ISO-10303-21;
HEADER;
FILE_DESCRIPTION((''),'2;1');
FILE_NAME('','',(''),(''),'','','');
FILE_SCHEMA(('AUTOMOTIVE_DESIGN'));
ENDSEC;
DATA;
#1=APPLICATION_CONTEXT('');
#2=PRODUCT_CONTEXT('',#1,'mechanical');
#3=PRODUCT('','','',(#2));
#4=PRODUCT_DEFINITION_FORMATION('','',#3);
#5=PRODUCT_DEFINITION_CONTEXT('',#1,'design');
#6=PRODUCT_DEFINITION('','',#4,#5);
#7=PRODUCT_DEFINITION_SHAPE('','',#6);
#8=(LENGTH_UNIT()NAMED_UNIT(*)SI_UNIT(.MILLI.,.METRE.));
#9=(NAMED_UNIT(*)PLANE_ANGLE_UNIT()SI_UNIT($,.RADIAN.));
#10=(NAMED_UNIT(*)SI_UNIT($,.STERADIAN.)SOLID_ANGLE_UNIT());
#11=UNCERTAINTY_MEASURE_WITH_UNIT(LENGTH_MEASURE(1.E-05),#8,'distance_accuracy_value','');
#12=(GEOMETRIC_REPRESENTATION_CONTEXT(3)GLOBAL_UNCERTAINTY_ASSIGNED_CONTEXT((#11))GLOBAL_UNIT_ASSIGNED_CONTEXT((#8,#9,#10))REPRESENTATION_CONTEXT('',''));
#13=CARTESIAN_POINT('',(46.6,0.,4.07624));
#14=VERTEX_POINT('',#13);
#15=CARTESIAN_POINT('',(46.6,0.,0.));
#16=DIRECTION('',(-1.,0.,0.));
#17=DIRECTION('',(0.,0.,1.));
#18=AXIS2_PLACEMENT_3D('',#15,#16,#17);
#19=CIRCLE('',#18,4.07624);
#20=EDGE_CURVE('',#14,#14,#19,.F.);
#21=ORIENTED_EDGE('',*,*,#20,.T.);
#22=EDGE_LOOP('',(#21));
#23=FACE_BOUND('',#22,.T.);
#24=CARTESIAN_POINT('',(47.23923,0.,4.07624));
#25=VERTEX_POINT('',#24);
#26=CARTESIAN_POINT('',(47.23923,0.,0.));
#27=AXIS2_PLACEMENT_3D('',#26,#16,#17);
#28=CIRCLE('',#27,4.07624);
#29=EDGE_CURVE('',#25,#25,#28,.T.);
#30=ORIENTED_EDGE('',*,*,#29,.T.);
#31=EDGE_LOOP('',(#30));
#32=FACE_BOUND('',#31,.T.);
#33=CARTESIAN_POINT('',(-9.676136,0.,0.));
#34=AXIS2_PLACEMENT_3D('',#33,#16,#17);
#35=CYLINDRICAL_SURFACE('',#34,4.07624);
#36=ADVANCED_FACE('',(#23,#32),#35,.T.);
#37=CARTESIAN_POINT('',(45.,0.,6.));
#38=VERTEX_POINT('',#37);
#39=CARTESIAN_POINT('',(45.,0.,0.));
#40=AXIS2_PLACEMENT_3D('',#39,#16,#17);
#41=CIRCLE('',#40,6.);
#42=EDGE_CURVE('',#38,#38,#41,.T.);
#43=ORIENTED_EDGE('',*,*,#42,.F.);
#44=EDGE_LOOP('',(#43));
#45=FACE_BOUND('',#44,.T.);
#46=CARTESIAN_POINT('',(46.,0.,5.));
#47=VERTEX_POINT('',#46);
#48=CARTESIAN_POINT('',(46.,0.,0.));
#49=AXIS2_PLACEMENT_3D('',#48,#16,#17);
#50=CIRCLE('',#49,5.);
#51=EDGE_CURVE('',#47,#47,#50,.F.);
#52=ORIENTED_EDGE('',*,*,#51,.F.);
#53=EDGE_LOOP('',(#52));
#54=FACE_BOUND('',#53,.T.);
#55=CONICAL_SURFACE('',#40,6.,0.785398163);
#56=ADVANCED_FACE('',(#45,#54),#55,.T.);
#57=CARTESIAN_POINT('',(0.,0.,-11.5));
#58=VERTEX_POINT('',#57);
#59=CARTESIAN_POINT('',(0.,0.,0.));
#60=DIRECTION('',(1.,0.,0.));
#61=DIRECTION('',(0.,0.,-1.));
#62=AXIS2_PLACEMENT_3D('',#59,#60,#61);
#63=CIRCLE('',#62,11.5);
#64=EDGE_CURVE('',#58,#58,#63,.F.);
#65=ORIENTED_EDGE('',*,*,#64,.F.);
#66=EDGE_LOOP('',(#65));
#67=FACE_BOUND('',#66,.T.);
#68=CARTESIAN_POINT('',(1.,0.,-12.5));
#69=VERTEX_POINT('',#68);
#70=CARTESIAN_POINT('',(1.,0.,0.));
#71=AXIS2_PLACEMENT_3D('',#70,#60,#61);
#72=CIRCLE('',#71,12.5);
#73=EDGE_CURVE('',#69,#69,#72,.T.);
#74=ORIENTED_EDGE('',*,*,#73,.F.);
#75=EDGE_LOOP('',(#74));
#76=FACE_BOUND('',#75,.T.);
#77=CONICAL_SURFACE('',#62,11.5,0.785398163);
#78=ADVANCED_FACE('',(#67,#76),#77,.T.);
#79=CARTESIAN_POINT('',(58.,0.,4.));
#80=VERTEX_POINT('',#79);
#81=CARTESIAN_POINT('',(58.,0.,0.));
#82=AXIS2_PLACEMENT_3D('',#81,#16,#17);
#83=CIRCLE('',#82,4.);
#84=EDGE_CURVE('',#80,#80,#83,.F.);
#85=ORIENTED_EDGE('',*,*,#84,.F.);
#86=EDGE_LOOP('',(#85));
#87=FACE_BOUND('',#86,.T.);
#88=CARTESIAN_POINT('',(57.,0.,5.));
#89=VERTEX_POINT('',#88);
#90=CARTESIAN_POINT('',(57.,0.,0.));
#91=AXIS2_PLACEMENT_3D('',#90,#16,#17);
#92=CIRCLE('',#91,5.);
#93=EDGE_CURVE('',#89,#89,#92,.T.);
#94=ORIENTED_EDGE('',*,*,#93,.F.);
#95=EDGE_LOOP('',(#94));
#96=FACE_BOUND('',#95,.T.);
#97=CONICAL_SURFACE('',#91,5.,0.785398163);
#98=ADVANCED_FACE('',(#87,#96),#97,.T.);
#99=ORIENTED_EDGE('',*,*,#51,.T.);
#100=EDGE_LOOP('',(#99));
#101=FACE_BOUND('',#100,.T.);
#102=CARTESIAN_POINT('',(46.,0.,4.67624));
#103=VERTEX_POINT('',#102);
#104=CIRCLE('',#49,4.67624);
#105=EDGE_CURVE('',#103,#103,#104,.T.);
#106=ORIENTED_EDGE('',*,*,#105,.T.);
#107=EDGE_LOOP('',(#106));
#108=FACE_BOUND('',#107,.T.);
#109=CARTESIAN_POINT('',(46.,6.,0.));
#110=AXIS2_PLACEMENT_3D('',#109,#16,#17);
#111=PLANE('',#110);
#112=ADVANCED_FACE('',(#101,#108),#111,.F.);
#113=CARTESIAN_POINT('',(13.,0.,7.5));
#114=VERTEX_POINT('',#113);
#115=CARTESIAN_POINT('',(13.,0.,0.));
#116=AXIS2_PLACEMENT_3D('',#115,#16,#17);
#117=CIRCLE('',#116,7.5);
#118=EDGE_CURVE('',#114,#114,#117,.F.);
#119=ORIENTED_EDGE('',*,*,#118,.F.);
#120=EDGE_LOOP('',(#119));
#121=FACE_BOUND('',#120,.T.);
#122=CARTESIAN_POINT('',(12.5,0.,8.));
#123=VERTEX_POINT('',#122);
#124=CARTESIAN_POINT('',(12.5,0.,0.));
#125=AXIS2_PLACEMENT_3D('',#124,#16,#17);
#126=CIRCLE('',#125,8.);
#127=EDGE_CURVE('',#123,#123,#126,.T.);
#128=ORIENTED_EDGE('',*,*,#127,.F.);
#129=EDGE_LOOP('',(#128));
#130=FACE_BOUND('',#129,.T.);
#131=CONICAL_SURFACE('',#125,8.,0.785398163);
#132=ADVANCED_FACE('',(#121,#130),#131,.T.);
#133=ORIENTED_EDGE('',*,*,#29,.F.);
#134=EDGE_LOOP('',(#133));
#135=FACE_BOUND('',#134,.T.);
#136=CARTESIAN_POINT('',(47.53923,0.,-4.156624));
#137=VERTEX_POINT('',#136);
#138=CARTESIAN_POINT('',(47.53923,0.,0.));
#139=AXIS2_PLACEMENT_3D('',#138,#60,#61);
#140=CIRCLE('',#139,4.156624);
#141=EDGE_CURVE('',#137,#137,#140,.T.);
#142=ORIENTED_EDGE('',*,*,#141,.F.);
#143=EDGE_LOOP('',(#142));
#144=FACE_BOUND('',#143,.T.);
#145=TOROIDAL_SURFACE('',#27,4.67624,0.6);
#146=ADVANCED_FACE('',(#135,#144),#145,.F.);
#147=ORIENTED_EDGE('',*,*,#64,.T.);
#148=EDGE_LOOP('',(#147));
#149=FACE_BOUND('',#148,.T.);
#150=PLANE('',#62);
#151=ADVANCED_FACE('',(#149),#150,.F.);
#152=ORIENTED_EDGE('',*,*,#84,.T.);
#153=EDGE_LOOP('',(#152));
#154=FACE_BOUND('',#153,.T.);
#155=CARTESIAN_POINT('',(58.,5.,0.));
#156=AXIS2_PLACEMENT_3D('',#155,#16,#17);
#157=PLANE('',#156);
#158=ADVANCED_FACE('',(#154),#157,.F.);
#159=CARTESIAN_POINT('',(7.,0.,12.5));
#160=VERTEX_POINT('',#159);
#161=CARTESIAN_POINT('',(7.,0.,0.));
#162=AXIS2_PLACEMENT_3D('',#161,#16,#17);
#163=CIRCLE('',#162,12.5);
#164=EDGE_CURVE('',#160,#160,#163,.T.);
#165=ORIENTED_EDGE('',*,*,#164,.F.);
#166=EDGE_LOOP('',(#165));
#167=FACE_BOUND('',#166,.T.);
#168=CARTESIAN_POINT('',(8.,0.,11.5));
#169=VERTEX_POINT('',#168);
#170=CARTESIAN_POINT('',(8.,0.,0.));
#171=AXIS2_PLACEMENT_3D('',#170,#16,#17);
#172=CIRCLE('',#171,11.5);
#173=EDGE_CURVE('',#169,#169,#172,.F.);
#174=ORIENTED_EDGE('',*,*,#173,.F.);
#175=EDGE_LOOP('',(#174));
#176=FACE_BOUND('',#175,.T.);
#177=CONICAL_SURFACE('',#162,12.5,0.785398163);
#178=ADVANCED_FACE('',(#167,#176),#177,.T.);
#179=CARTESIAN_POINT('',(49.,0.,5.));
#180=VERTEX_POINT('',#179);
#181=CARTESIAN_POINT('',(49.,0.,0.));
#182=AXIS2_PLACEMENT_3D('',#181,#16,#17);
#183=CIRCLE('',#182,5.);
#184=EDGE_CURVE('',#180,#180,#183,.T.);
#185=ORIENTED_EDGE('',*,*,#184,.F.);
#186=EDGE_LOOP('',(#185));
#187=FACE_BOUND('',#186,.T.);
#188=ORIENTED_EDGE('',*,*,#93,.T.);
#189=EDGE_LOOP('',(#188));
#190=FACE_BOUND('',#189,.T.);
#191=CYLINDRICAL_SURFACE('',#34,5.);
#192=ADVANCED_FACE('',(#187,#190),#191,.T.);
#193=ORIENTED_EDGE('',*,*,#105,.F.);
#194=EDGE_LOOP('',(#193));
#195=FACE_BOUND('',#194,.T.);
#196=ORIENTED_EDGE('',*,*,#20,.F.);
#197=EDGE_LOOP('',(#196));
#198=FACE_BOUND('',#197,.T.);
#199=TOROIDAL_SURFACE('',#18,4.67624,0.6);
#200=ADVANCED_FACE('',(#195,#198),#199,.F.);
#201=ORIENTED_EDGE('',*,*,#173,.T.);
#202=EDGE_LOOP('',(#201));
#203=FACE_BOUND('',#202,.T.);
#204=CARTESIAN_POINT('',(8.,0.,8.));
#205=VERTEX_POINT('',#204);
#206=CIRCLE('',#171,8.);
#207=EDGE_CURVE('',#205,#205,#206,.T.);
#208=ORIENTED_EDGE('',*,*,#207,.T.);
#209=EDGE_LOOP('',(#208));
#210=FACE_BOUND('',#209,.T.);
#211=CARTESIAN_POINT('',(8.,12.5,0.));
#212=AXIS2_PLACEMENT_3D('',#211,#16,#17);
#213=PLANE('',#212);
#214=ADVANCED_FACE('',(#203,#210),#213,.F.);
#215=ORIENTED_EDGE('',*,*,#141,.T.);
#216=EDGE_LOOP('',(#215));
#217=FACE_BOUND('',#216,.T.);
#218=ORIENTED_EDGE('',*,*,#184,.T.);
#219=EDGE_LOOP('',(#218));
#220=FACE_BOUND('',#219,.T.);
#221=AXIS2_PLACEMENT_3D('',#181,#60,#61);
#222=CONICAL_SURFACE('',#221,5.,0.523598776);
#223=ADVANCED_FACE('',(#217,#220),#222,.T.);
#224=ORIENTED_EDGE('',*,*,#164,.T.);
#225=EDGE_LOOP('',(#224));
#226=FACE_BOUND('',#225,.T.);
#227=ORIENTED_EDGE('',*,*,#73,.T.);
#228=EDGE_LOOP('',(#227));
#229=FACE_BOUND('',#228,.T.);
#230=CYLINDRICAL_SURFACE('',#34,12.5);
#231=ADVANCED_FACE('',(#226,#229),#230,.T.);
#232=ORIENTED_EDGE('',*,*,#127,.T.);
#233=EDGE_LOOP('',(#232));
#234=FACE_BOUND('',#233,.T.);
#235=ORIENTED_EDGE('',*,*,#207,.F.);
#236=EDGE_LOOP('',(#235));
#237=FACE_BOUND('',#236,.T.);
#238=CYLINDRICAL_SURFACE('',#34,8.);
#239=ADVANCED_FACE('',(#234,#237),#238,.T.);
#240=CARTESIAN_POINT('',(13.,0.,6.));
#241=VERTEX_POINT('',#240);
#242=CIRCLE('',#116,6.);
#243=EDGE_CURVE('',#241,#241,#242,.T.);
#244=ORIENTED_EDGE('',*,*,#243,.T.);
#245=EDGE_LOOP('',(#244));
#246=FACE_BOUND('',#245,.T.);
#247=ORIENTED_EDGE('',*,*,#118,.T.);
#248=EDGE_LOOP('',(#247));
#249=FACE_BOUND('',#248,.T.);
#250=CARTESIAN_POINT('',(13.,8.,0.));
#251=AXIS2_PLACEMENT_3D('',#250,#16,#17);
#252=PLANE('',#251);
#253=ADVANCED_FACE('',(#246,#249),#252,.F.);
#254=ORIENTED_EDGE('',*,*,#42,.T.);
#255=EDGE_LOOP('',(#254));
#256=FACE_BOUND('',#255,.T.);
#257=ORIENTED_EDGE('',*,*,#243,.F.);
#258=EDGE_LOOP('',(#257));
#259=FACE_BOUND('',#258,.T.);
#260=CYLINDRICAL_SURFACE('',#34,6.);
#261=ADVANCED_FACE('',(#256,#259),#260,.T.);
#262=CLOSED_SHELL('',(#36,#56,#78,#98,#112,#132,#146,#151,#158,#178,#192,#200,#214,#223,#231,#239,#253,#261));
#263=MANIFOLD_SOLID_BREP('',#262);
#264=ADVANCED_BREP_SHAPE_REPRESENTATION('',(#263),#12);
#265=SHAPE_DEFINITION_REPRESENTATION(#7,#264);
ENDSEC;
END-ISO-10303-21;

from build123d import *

# Parameters (mm, degrees)
CHAMFER1_SIZE = 1
FILLET1_R     = 0.6
CHAMFER3_SIZE = 1
CHAMFER4_SIZE = 0.5


with BuildPart() as part:
    # Sketch1 → Revolve1 (revolve)
    with BuildSketch(Plane.XY, mode=Mode.PRIVATE) as revolve1_sk:
        Polygon((0, 0), (0, 12.5), (8, 12.5), (8, 8), (13, 8), (13, 6), (46, 6), (46, 4.076239569), (47.4, 4.076239569), (49, 5), (58, 5), (58, 0), align=None)
    revolve(revolve1_sk.sketch.rotate(Axis((-9.676136096, 0, 0), (1, 0, 0)), 90), axis=Axis((-9.676136096, 0, 0), (1, 0, 0)))

    # Chamfer1
    chamfer1_edges = [part.edges().sort_by_distance(p)[0] for p in [
        (46, 0, -6),
        (8, 0, -12.5),
        (0, 0, -12.5),
    ]]
    chamfer(chamfer1_edges, length=CHAMFER1_SIZE)

    # Fillet1
    fillet1_edges = [part.edges().sort_by_distance(p)[0] for p in [
        (47.4, 0, -4.076239569),
        (46, 0, -4.076239569),
    ]]
    fillet(fillet1_edges, radius=FILLET1_R)

    # Chamfer3
    chamfer3_edges = [part.edges().sort_by_distance(p)[0] for p in [
        (58, 0, -5),
    ]]
    chamfer(chamfer3_edges, length=CHAMFER3_SIZE)

    # Chamfer4
    chamfer4_edges = [part.edges().sort_by_distance(p)[0] for p in [
        (13, 0, -8),
    ]]
    chamfer(chamfer4_edges, length=CHAMFER4_SIZE)


solid = part.part
